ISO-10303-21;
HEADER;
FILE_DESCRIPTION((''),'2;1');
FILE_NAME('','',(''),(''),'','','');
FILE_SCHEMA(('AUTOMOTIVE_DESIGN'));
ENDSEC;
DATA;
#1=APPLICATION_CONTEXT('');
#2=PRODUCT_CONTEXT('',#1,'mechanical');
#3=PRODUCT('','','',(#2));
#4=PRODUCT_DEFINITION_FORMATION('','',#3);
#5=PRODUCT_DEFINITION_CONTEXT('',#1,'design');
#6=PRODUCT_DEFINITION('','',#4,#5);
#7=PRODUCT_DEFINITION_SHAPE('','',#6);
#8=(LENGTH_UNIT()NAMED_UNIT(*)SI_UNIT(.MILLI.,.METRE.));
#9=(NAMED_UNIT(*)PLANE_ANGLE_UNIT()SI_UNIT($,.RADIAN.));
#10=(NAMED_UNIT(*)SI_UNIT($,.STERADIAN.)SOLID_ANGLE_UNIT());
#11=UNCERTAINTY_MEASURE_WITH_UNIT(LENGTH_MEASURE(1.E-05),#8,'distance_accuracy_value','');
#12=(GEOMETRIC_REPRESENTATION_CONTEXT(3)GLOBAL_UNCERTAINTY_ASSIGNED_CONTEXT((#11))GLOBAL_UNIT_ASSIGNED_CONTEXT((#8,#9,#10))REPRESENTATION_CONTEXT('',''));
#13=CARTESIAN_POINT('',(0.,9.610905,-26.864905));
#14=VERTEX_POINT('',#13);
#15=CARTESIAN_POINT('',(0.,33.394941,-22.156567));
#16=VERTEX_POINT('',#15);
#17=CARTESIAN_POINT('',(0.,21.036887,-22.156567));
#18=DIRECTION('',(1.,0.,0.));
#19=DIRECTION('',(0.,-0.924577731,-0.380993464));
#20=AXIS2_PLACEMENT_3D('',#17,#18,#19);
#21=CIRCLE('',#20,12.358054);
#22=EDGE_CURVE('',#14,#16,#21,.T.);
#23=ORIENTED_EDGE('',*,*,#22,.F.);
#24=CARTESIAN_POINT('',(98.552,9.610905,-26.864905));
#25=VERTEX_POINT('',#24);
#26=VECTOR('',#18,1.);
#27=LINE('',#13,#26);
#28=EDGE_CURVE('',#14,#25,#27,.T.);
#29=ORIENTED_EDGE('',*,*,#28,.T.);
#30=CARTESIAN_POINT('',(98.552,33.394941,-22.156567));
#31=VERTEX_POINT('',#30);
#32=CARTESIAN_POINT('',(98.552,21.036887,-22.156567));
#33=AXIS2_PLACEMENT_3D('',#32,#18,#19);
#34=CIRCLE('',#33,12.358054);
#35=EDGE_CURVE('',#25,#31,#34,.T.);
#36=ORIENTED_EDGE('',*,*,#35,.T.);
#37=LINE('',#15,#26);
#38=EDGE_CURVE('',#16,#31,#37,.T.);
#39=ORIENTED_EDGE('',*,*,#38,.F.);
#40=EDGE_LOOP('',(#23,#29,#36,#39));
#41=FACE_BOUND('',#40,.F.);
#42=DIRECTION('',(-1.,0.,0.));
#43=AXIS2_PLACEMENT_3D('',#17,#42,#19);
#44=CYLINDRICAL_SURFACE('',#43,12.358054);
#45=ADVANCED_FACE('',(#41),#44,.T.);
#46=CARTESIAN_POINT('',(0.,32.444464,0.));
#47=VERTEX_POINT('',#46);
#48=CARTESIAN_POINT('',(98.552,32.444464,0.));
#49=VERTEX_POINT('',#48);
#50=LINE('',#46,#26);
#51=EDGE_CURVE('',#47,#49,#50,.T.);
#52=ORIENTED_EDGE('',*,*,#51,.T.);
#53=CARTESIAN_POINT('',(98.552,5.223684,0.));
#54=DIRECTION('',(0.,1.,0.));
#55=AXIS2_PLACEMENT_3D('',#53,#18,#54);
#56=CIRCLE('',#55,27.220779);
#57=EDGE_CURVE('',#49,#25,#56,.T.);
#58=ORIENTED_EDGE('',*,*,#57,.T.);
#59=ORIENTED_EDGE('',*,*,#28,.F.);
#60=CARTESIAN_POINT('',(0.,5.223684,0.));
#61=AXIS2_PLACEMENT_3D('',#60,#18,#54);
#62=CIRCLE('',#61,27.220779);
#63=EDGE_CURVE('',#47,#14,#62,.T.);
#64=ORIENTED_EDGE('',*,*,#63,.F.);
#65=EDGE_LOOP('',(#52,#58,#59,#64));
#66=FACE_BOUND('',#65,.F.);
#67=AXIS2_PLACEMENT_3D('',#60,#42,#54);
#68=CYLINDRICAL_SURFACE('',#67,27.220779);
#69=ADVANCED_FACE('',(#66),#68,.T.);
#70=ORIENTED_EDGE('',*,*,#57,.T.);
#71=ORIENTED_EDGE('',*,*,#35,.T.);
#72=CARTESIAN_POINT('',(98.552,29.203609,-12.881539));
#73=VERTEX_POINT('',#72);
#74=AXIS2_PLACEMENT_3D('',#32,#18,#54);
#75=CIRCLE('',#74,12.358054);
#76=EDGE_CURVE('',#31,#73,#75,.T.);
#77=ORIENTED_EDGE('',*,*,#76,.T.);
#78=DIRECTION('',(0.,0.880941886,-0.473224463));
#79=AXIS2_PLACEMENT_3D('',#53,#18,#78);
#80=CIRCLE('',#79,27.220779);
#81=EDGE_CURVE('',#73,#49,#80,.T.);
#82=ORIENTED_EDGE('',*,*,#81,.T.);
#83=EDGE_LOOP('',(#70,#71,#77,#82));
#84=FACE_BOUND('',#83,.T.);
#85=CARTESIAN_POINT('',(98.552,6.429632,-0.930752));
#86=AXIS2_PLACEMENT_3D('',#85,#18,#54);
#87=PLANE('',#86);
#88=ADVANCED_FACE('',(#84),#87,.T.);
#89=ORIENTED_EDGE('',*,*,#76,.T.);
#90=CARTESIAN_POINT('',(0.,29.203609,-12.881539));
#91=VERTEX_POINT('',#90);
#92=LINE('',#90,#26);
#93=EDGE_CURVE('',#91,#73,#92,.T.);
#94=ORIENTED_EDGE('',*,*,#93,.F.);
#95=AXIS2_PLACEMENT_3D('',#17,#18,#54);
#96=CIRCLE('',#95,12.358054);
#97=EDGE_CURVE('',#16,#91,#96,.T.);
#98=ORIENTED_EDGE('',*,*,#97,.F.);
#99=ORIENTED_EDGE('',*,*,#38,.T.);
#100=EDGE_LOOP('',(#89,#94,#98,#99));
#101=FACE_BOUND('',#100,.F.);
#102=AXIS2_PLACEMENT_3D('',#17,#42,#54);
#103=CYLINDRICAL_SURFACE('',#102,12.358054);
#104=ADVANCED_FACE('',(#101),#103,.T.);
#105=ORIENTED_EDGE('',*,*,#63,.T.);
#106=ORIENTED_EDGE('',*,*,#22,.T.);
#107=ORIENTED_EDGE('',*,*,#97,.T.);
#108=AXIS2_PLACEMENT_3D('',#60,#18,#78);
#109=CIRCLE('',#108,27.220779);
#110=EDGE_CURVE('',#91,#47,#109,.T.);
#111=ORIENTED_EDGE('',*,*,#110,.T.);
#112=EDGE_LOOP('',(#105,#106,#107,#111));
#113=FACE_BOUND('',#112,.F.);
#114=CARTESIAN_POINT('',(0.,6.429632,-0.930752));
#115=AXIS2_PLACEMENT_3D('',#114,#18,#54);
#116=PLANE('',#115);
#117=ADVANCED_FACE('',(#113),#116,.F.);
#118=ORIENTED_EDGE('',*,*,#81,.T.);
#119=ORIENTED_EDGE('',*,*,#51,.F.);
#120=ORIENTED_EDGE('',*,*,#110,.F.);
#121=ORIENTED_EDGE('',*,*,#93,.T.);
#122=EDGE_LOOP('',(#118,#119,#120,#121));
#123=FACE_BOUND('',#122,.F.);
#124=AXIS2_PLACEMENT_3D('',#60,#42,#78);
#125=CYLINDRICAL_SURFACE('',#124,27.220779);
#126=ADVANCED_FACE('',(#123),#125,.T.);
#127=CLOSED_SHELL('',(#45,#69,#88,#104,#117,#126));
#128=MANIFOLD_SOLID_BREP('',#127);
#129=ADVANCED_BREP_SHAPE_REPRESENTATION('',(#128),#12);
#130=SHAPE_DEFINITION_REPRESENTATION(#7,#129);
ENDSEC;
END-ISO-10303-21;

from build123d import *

# Parameters (mm, degrees)
F1_DEPTH = 98.552


with BuildPart() as f1:
    # F0 (on Right) → F1 (new body)
    with BuildSketch(Plane.YZ):
        with BuildLine():
            ThreePointArc((29.2036091015, -12.8815386495), (31.6218194265, -6.6414828292), (32.4444637271, 0))
            ThreePointArc((32.4444637271, 0), (-15.5175109192, 17.6287729684), (9.6109045895, -26.8649050361))
            ThreePointArc((9.6109045895, -26.8649050361), (13.857796975, -12.0976315852), (29.2036091015, -12.8815386495))
        make_face()
        with BuildLine():
            ThreePointArc((29.2036091015, -12.8815386495), (13.857796975, -12.0976315852), (9.6109045895, -26.8649050361))
            ThreePointArc((9.6109045895, -26.8649050361), (21.0368865251, -22.1565670612), (29.2036091015, -12.8815386495))
        make_face()
        with BuildLine():
            ThreePointArc((29.2036091015, -12.8815386495), (21.0368865251, -22.1565670612), (9.6109045895, -26.8649050361))
            ThreePointArc((9.6109045895, -26.8649050361), (23.4367409816, -34.2793641091), (33.3949409706, -22.1565670612))
            ThreePointArc((33.3949409706, -22.1565670612), (32.2984652758, -17.0675245463), (29.2036091015, -12.8815386495))
        make_face()
    extrude(amount=F1_DEPTH)


solid = f1.part
